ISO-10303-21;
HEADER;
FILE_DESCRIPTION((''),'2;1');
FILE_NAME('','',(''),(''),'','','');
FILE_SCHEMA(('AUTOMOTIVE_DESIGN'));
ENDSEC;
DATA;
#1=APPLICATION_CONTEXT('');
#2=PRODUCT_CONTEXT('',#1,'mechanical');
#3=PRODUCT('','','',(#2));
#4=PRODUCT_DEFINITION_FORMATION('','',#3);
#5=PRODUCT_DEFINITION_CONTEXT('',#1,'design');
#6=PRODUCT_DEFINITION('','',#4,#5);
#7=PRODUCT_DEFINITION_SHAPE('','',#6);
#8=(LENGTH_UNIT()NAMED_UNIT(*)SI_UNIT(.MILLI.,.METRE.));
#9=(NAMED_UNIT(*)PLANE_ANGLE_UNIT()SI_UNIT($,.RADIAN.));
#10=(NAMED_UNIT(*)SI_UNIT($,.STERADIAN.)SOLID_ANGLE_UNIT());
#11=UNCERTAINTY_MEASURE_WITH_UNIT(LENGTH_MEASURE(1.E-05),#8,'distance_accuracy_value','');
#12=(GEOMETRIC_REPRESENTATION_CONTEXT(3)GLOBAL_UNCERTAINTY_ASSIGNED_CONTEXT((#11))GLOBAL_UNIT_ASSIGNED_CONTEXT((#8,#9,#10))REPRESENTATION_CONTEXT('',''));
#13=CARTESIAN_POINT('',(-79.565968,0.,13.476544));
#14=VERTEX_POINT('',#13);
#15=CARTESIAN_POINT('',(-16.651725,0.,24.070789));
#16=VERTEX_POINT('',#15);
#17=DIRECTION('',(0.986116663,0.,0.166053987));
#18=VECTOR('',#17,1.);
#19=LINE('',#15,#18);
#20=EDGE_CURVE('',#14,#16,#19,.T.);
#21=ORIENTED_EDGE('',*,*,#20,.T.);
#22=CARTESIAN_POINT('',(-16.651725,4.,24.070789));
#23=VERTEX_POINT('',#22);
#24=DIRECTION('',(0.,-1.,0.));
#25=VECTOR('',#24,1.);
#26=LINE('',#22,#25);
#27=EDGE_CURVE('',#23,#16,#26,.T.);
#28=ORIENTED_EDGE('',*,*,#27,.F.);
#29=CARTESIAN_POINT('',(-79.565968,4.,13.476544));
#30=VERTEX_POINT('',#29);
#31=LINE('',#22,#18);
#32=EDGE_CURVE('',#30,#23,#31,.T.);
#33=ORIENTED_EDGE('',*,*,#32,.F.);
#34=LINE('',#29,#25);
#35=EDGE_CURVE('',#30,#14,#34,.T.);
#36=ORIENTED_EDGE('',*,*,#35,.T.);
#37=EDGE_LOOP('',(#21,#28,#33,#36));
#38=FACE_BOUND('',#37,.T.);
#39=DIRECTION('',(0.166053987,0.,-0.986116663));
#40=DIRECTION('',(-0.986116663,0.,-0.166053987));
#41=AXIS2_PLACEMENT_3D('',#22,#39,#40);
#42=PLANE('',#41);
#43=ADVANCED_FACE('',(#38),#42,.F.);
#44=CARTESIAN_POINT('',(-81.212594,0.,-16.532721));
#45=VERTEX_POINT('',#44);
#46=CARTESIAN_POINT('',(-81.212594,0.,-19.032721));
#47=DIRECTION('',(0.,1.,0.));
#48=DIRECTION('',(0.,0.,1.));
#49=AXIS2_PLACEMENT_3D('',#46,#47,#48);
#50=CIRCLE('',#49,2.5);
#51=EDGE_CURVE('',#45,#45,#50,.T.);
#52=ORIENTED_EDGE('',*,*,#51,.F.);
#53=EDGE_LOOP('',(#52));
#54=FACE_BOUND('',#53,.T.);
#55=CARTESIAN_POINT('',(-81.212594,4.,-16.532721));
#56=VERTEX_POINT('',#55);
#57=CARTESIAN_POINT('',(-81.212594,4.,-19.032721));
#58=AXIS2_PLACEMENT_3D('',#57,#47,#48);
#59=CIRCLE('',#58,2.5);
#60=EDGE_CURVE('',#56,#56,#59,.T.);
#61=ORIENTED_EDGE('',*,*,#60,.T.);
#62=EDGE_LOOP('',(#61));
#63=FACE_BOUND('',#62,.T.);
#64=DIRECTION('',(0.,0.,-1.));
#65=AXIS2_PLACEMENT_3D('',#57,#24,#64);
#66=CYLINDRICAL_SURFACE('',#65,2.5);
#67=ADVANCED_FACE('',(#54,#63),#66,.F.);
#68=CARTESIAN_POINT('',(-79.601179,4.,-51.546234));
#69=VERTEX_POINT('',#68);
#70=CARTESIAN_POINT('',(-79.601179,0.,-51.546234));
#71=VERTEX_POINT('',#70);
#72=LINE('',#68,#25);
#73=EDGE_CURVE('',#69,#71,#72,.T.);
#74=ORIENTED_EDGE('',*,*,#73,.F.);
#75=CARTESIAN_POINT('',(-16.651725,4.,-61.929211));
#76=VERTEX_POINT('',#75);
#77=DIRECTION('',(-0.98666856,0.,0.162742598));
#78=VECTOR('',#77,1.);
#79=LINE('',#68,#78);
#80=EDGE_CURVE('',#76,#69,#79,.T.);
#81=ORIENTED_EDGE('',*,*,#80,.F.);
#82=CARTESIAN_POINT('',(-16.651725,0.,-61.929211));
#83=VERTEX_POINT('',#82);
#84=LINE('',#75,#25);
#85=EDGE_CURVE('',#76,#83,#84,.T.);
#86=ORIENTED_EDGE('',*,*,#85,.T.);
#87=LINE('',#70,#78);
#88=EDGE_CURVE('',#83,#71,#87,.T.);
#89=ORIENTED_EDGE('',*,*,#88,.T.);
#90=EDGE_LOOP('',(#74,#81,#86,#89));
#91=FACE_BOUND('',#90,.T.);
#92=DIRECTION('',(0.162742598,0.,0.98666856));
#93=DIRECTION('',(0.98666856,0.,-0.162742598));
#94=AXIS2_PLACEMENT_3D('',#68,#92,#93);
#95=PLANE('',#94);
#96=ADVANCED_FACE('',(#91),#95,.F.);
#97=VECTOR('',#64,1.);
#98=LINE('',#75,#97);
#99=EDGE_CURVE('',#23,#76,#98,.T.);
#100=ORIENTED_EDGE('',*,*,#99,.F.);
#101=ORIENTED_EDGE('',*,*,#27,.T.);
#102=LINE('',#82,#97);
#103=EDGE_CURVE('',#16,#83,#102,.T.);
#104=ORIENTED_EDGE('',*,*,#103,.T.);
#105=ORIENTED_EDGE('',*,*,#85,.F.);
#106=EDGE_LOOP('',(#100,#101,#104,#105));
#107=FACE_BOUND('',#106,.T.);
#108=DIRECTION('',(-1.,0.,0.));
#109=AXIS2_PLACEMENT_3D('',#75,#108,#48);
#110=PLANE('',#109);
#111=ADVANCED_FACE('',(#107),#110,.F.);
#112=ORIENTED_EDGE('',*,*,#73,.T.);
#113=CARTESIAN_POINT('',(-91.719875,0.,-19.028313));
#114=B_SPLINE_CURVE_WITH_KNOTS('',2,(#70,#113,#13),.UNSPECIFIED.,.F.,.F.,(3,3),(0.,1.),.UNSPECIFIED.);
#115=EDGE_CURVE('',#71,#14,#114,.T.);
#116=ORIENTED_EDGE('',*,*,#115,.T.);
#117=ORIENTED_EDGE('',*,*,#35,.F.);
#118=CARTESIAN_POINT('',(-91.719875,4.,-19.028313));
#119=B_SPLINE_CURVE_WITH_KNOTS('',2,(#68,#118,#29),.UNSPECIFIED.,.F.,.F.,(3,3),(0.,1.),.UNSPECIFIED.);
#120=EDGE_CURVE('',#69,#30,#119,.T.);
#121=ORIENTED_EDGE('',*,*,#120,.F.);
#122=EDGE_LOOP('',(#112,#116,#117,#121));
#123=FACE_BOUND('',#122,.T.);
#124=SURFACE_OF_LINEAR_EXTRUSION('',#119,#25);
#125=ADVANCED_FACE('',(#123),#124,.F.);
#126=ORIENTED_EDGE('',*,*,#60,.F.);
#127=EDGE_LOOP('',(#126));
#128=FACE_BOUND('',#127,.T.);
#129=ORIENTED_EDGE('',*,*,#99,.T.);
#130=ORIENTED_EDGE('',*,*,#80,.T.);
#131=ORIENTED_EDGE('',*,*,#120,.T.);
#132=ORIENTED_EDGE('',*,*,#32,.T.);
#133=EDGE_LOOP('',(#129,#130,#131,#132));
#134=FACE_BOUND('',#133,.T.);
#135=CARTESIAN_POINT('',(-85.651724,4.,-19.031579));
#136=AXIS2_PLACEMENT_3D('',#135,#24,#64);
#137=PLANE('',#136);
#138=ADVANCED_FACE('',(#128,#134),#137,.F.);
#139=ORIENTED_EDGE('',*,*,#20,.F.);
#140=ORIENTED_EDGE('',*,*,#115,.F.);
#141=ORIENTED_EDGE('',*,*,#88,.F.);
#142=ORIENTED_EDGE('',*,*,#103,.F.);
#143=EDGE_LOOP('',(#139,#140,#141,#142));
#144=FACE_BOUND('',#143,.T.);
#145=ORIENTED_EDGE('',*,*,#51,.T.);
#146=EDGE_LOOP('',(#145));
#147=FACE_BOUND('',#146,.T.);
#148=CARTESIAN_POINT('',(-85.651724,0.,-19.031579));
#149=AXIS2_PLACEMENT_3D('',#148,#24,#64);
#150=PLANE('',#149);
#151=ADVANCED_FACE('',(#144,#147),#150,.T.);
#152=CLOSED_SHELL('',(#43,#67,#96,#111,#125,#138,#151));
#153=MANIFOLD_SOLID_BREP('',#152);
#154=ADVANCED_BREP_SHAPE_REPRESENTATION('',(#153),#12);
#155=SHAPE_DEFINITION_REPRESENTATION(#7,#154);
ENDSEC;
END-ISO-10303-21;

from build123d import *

# Parameters (mm, degrees)
CROQUIS2_R              = 2.5
SALIENTE_EXTRUIR1_DEPTH = 4


with BuildPart() as part:
    # Croquis2 → Saliente-Extruir1 (new body)
    with BuildSketch(Plane(origin=(0, 0, 0), x_dir=(1, 0, 0), z_dir=(0, 1, 0))):
        with BuildLine():
            Line((-79.601178676, 51.546233526), (-16.651724566, 61.929211291))
            Line((-16.651724566, 61.929211291), (-16.651724566, -24.070788709))
            Line((-16.651724566, -24.070788709), (-79.565967679, -13.476544348))
            add(Edge.make_bspline(
                [(-79.601178676, 51.546233526), (-91.719874733, 19.028313012), (-79.565967679, -13.476544348)],
                knots=[0, 0, 0, 1, 1, 1], degree=2))
        make_face()
        with Locations((-81.212594438, 19.032720929)):
            Circle(CROQUIS2_R, mode=Mode.SUBTRACT)
    extrude(amount=SALIENTE_EXTRUIR1_DEPTH)


solid = part.part
